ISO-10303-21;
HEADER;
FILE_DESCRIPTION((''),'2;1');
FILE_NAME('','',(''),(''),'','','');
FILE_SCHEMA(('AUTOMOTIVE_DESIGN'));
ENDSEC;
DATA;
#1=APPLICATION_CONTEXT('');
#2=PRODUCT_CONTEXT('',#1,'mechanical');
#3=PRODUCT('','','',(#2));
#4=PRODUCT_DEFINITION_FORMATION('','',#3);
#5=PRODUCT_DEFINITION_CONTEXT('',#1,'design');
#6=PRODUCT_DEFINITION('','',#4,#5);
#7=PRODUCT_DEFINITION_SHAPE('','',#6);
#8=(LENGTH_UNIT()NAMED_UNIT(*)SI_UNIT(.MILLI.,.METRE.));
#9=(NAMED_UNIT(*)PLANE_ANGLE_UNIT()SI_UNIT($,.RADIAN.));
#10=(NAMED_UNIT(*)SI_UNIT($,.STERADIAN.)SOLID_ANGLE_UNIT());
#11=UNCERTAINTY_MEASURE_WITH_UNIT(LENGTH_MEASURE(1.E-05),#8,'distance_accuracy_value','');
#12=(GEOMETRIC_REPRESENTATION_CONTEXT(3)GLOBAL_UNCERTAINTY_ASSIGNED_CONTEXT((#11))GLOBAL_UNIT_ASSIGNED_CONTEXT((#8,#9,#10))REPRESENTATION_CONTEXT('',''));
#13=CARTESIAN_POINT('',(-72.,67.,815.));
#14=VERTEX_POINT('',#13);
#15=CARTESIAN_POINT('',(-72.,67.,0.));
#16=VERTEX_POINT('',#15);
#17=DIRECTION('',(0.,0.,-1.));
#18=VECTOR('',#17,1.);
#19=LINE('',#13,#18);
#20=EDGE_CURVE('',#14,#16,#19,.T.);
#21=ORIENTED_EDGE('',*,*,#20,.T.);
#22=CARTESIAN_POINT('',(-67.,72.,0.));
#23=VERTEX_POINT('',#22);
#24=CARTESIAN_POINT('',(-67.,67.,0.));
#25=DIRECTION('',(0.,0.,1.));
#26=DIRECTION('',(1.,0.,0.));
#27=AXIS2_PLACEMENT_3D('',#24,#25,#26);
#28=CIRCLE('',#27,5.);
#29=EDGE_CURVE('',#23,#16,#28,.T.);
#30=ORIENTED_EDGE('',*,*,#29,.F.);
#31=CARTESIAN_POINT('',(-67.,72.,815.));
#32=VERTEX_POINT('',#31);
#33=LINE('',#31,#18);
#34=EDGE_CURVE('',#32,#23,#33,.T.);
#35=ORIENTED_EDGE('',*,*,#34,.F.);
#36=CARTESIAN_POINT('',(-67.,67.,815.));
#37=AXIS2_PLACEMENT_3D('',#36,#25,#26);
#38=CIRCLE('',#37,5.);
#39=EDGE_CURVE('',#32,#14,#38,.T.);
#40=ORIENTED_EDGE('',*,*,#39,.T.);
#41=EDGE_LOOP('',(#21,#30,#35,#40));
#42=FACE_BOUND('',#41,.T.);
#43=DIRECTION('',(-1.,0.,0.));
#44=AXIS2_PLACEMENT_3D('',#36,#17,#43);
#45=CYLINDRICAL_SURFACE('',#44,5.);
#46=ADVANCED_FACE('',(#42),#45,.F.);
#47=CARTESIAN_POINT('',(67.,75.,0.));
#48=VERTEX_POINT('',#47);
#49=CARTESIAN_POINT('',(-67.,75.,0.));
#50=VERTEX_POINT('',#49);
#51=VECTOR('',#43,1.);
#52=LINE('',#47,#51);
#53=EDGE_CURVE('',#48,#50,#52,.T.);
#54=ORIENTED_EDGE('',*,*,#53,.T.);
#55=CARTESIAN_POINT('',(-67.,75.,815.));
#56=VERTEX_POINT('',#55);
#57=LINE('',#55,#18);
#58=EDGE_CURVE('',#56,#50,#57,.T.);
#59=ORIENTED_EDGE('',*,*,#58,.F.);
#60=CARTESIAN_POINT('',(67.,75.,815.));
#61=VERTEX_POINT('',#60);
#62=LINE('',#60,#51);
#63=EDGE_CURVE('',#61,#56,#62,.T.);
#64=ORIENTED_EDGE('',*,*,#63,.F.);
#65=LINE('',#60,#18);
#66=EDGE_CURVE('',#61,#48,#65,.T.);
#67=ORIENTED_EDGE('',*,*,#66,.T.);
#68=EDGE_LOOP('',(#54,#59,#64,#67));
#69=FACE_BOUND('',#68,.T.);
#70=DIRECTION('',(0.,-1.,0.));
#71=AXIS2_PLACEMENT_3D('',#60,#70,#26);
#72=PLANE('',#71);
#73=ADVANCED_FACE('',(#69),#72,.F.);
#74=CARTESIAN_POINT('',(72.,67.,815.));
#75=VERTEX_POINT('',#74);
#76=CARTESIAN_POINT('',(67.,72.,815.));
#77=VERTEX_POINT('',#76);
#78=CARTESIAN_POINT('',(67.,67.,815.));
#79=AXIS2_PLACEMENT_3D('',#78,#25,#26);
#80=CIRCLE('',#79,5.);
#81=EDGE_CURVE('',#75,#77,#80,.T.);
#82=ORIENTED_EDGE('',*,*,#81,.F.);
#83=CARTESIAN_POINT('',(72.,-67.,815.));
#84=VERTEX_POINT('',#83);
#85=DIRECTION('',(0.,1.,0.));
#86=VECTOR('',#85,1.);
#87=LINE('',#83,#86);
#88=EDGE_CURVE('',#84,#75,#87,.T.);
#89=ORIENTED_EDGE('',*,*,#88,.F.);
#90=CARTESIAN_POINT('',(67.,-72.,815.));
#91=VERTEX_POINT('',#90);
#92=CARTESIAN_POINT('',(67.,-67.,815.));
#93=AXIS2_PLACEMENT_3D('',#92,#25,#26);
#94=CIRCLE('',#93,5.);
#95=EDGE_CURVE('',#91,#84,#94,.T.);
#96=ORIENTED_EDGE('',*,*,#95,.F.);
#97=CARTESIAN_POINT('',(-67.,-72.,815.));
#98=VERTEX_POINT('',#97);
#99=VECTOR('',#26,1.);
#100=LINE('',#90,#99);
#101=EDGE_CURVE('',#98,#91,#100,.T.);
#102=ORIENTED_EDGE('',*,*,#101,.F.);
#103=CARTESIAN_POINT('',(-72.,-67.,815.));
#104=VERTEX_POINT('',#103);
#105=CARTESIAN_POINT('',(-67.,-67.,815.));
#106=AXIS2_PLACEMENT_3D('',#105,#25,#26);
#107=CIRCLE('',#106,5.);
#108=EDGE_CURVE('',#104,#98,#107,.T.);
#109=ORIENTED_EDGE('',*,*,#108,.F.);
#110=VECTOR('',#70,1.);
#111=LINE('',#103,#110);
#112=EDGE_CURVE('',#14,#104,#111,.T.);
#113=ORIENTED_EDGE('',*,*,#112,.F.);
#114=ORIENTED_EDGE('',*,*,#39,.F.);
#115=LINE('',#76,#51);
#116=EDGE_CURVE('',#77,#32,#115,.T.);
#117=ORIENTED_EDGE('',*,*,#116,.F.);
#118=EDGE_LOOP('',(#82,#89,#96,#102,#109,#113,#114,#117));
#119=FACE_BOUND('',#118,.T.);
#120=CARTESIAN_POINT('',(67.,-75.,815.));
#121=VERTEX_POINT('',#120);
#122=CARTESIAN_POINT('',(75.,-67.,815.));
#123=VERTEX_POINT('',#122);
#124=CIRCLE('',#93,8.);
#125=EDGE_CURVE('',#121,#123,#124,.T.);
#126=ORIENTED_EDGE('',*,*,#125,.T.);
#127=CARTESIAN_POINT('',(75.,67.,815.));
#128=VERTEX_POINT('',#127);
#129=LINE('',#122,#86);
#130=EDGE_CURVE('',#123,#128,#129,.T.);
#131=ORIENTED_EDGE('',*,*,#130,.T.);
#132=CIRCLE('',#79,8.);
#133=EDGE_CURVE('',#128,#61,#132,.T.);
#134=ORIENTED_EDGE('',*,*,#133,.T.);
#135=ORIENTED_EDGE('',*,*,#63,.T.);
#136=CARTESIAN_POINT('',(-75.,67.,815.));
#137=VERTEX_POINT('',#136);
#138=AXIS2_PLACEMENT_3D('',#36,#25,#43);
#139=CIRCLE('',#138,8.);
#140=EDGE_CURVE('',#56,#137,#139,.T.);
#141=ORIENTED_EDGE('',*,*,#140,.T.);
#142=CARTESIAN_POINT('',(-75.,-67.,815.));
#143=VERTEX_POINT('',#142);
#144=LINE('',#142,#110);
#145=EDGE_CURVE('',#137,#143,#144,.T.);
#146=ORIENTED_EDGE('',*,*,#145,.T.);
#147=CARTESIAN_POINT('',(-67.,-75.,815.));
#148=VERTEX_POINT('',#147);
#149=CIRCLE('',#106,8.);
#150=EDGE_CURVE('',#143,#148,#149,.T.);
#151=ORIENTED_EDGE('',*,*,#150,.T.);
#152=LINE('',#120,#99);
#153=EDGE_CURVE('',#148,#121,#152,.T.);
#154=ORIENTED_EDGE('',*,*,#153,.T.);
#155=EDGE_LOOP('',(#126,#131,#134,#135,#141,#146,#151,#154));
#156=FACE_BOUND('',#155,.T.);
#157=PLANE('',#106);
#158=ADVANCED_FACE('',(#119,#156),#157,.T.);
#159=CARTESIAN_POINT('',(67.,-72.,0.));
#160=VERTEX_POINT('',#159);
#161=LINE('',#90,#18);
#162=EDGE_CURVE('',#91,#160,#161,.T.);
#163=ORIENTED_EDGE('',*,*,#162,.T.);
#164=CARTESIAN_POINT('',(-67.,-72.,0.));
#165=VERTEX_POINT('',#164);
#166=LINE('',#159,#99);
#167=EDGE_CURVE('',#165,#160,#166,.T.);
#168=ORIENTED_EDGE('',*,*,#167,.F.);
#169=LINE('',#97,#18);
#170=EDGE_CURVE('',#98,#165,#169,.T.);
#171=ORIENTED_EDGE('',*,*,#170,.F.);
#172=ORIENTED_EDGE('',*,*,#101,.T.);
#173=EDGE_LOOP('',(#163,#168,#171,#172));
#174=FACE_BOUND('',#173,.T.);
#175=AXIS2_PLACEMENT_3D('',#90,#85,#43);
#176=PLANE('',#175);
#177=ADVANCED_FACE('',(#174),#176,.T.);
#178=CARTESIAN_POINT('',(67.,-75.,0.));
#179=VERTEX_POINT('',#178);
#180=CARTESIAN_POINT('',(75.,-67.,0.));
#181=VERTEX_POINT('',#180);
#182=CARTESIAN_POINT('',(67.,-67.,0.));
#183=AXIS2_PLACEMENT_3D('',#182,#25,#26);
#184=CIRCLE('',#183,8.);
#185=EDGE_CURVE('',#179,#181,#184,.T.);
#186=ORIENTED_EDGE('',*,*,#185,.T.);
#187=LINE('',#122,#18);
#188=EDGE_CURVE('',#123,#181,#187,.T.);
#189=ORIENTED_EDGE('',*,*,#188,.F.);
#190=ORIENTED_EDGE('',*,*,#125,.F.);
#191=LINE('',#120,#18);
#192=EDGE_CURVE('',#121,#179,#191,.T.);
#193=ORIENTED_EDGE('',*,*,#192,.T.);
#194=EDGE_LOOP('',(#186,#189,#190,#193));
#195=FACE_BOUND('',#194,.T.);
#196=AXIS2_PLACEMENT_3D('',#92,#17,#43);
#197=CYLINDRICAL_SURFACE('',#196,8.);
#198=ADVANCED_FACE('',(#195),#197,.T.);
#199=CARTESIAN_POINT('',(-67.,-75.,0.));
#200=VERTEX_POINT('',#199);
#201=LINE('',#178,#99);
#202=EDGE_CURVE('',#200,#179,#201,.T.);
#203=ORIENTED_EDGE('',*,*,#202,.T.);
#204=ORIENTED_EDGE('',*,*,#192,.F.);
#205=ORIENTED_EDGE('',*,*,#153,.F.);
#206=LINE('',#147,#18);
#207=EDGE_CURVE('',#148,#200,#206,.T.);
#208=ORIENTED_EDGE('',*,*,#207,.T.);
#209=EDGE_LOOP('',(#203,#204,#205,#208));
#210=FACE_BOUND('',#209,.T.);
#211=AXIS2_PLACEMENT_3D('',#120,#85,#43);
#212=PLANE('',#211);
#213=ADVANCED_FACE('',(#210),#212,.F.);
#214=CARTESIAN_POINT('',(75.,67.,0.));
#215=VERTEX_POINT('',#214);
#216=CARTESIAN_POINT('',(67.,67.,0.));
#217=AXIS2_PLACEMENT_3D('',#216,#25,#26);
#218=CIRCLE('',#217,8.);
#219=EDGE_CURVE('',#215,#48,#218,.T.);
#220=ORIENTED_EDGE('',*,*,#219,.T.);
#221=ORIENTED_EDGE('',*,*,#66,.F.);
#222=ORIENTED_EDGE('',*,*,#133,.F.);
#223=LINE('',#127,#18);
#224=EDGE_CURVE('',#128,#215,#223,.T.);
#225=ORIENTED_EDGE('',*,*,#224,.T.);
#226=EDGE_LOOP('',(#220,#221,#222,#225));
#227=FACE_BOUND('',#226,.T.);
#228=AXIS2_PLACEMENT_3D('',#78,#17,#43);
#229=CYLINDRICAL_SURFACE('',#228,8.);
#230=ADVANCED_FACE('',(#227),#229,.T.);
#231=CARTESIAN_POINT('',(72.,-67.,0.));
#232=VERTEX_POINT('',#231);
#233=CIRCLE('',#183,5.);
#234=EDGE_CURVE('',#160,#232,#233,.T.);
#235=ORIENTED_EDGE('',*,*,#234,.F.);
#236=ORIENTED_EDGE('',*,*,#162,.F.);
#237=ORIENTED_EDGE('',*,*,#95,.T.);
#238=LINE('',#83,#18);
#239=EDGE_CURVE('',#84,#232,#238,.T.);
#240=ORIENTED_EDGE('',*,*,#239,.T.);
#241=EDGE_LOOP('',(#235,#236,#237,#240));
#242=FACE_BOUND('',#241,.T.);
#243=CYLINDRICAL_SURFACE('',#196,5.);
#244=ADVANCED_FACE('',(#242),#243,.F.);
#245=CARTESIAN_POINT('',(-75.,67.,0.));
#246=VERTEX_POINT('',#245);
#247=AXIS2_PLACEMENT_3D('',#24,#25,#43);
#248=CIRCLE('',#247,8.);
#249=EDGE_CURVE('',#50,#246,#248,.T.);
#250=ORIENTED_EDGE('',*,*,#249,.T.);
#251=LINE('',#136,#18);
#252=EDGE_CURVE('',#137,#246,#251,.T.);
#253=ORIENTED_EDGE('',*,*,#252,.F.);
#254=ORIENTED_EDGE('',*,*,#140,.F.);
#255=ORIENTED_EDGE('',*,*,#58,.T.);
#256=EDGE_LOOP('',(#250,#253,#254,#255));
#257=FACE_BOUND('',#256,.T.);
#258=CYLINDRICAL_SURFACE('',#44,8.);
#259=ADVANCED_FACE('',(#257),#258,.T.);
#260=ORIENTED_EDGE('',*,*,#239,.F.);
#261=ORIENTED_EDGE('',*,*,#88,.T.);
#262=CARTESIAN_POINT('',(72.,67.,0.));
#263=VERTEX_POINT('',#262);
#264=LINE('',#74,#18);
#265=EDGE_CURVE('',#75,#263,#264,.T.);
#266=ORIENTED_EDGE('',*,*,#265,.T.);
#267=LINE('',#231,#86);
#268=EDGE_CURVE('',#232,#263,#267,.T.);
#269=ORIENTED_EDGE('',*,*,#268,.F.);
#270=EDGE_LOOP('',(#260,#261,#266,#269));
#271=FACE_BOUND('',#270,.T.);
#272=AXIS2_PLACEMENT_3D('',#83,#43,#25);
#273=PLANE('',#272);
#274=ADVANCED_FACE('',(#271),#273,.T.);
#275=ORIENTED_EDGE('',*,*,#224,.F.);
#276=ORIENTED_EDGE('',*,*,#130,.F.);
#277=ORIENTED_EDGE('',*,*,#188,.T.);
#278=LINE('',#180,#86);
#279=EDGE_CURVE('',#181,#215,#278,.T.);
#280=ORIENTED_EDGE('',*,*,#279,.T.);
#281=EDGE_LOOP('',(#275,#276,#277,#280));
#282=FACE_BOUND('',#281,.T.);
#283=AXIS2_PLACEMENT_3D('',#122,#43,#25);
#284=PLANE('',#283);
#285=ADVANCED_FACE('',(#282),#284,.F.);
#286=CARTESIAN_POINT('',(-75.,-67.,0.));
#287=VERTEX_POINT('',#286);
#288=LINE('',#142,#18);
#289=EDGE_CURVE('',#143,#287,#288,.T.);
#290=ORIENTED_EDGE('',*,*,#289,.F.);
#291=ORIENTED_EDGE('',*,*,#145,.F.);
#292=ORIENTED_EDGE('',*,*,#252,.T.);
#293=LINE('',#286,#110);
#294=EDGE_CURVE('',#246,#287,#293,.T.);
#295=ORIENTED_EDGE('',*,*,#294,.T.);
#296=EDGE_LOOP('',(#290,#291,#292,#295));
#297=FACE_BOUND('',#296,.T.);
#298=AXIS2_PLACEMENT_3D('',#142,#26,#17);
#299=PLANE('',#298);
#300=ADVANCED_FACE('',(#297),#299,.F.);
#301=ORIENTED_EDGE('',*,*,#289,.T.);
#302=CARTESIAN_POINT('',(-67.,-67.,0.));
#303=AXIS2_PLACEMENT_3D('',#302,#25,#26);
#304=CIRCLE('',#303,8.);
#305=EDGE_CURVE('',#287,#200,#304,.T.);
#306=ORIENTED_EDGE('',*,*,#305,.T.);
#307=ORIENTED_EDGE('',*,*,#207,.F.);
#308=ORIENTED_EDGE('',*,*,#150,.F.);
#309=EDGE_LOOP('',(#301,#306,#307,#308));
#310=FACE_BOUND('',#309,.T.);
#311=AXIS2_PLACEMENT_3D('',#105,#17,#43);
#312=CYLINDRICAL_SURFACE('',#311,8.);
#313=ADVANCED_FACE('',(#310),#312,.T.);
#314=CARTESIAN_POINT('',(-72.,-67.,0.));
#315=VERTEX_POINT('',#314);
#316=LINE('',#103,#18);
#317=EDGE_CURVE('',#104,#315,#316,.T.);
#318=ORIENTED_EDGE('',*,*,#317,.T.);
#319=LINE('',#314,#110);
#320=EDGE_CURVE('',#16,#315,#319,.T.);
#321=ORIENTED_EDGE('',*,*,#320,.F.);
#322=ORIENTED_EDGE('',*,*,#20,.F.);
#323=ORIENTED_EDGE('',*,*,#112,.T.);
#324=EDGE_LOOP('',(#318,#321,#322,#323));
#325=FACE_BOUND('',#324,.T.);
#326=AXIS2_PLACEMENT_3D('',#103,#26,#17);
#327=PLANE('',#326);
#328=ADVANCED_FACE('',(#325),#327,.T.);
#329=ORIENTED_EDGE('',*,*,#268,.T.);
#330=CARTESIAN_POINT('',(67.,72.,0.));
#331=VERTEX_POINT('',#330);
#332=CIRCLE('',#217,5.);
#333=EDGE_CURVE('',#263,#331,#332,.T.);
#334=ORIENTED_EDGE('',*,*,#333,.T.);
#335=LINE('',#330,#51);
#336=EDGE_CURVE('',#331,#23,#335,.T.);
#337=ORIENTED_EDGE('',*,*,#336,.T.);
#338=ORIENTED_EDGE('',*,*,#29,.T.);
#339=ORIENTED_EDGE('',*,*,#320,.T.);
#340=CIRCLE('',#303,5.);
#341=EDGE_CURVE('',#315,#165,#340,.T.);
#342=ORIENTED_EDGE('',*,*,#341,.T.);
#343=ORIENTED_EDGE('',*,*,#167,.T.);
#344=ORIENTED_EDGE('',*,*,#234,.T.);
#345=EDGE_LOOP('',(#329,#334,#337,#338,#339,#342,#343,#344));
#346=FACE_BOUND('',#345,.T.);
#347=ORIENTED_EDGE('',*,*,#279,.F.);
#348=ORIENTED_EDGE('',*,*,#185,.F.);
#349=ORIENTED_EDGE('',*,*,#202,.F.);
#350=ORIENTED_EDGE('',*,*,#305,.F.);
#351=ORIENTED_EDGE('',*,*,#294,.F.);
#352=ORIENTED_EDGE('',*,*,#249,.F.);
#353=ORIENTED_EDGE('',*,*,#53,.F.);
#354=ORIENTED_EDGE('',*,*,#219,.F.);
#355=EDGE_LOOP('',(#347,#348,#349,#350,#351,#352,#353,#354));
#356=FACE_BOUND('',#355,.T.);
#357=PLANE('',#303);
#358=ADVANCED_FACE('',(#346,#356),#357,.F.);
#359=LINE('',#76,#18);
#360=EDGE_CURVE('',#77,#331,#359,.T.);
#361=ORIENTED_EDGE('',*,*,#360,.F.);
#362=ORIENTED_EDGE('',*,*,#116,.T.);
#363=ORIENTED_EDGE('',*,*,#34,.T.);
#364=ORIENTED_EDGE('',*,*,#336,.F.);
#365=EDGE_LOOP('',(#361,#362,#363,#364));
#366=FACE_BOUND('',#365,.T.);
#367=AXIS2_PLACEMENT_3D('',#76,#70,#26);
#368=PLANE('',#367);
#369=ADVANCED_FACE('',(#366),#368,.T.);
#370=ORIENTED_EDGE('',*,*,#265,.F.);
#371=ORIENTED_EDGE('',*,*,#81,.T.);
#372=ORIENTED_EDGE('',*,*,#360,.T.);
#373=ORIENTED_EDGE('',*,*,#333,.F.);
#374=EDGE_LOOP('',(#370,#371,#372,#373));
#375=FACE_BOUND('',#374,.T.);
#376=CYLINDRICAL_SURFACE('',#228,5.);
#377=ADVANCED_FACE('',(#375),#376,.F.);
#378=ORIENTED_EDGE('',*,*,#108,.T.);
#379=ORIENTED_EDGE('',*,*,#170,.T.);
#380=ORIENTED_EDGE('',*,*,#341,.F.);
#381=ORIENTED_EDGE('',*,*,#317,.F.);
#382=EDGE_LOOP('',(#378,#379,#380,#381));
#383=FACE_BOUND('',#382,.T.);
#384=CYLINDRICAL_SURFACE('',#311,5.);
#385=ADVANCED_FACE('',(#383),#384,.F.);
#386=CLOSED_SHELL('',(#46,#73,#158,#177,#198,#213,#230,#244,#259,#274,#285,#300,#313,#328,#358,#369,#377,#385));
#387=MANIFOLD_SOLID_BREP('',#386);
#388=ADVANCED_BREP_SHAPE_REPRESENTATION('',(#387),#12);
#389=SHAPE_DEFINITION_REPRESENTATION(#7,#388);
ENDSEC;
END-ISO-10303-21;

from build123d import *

# Parameters (mm, degrees)
EXTRUDE_1_DEPTH = 815


with BuildPart() as part:
    # Эскиз1 → Вытянуть-Тонкостенный1 (new body)
    with BuildSketch(Plane.XY):
        with BuildLine():
            Line((-67, 75), (67, 75))
            ThreePointArc((67, 75), (72.656854249, 72.656854249), (75, 67))
            Line((75, 67), (75, -67))
            ThreePointArc((75, -67), (72.656854249, -72.656854249), (67, -75))
            Line((67, -75), (-67, -75))
            ThreePointArc((-67, -75), (-72.656854249, -72.656854249), (-75, -67))
            Line((-75, -67), (-75, 67))
            ThreePointArc((-75, 67), (-72.656854249, 72.656854249), (-67, 75))
        make_face()
        with BuildLine():
            Line((-67, 72), (67, 72))
            ThreePointArc((67, 72), (70.535533906, 70.535533906), (72, 67))
            Line((72, 67), (72, -67))
            ThreePointArc((72, -67), (70.535533906, -70.535533906), (67, -72))
            Line((67, -72), (-67, -72))
            ThreePointArc((-67, -72), (-70.535533906, -70.535533906), (-72, -67))
            Line((-72, -67), (-72, 67))
            ThreePointArc((-72, 67), (-70.535533906, 70.535533906), (-67, 72))
        make_face(mode=Mode.SUBTRACT)
    extrude(amount=EXTRUDE_1_DEPTH)


solid = part.part
